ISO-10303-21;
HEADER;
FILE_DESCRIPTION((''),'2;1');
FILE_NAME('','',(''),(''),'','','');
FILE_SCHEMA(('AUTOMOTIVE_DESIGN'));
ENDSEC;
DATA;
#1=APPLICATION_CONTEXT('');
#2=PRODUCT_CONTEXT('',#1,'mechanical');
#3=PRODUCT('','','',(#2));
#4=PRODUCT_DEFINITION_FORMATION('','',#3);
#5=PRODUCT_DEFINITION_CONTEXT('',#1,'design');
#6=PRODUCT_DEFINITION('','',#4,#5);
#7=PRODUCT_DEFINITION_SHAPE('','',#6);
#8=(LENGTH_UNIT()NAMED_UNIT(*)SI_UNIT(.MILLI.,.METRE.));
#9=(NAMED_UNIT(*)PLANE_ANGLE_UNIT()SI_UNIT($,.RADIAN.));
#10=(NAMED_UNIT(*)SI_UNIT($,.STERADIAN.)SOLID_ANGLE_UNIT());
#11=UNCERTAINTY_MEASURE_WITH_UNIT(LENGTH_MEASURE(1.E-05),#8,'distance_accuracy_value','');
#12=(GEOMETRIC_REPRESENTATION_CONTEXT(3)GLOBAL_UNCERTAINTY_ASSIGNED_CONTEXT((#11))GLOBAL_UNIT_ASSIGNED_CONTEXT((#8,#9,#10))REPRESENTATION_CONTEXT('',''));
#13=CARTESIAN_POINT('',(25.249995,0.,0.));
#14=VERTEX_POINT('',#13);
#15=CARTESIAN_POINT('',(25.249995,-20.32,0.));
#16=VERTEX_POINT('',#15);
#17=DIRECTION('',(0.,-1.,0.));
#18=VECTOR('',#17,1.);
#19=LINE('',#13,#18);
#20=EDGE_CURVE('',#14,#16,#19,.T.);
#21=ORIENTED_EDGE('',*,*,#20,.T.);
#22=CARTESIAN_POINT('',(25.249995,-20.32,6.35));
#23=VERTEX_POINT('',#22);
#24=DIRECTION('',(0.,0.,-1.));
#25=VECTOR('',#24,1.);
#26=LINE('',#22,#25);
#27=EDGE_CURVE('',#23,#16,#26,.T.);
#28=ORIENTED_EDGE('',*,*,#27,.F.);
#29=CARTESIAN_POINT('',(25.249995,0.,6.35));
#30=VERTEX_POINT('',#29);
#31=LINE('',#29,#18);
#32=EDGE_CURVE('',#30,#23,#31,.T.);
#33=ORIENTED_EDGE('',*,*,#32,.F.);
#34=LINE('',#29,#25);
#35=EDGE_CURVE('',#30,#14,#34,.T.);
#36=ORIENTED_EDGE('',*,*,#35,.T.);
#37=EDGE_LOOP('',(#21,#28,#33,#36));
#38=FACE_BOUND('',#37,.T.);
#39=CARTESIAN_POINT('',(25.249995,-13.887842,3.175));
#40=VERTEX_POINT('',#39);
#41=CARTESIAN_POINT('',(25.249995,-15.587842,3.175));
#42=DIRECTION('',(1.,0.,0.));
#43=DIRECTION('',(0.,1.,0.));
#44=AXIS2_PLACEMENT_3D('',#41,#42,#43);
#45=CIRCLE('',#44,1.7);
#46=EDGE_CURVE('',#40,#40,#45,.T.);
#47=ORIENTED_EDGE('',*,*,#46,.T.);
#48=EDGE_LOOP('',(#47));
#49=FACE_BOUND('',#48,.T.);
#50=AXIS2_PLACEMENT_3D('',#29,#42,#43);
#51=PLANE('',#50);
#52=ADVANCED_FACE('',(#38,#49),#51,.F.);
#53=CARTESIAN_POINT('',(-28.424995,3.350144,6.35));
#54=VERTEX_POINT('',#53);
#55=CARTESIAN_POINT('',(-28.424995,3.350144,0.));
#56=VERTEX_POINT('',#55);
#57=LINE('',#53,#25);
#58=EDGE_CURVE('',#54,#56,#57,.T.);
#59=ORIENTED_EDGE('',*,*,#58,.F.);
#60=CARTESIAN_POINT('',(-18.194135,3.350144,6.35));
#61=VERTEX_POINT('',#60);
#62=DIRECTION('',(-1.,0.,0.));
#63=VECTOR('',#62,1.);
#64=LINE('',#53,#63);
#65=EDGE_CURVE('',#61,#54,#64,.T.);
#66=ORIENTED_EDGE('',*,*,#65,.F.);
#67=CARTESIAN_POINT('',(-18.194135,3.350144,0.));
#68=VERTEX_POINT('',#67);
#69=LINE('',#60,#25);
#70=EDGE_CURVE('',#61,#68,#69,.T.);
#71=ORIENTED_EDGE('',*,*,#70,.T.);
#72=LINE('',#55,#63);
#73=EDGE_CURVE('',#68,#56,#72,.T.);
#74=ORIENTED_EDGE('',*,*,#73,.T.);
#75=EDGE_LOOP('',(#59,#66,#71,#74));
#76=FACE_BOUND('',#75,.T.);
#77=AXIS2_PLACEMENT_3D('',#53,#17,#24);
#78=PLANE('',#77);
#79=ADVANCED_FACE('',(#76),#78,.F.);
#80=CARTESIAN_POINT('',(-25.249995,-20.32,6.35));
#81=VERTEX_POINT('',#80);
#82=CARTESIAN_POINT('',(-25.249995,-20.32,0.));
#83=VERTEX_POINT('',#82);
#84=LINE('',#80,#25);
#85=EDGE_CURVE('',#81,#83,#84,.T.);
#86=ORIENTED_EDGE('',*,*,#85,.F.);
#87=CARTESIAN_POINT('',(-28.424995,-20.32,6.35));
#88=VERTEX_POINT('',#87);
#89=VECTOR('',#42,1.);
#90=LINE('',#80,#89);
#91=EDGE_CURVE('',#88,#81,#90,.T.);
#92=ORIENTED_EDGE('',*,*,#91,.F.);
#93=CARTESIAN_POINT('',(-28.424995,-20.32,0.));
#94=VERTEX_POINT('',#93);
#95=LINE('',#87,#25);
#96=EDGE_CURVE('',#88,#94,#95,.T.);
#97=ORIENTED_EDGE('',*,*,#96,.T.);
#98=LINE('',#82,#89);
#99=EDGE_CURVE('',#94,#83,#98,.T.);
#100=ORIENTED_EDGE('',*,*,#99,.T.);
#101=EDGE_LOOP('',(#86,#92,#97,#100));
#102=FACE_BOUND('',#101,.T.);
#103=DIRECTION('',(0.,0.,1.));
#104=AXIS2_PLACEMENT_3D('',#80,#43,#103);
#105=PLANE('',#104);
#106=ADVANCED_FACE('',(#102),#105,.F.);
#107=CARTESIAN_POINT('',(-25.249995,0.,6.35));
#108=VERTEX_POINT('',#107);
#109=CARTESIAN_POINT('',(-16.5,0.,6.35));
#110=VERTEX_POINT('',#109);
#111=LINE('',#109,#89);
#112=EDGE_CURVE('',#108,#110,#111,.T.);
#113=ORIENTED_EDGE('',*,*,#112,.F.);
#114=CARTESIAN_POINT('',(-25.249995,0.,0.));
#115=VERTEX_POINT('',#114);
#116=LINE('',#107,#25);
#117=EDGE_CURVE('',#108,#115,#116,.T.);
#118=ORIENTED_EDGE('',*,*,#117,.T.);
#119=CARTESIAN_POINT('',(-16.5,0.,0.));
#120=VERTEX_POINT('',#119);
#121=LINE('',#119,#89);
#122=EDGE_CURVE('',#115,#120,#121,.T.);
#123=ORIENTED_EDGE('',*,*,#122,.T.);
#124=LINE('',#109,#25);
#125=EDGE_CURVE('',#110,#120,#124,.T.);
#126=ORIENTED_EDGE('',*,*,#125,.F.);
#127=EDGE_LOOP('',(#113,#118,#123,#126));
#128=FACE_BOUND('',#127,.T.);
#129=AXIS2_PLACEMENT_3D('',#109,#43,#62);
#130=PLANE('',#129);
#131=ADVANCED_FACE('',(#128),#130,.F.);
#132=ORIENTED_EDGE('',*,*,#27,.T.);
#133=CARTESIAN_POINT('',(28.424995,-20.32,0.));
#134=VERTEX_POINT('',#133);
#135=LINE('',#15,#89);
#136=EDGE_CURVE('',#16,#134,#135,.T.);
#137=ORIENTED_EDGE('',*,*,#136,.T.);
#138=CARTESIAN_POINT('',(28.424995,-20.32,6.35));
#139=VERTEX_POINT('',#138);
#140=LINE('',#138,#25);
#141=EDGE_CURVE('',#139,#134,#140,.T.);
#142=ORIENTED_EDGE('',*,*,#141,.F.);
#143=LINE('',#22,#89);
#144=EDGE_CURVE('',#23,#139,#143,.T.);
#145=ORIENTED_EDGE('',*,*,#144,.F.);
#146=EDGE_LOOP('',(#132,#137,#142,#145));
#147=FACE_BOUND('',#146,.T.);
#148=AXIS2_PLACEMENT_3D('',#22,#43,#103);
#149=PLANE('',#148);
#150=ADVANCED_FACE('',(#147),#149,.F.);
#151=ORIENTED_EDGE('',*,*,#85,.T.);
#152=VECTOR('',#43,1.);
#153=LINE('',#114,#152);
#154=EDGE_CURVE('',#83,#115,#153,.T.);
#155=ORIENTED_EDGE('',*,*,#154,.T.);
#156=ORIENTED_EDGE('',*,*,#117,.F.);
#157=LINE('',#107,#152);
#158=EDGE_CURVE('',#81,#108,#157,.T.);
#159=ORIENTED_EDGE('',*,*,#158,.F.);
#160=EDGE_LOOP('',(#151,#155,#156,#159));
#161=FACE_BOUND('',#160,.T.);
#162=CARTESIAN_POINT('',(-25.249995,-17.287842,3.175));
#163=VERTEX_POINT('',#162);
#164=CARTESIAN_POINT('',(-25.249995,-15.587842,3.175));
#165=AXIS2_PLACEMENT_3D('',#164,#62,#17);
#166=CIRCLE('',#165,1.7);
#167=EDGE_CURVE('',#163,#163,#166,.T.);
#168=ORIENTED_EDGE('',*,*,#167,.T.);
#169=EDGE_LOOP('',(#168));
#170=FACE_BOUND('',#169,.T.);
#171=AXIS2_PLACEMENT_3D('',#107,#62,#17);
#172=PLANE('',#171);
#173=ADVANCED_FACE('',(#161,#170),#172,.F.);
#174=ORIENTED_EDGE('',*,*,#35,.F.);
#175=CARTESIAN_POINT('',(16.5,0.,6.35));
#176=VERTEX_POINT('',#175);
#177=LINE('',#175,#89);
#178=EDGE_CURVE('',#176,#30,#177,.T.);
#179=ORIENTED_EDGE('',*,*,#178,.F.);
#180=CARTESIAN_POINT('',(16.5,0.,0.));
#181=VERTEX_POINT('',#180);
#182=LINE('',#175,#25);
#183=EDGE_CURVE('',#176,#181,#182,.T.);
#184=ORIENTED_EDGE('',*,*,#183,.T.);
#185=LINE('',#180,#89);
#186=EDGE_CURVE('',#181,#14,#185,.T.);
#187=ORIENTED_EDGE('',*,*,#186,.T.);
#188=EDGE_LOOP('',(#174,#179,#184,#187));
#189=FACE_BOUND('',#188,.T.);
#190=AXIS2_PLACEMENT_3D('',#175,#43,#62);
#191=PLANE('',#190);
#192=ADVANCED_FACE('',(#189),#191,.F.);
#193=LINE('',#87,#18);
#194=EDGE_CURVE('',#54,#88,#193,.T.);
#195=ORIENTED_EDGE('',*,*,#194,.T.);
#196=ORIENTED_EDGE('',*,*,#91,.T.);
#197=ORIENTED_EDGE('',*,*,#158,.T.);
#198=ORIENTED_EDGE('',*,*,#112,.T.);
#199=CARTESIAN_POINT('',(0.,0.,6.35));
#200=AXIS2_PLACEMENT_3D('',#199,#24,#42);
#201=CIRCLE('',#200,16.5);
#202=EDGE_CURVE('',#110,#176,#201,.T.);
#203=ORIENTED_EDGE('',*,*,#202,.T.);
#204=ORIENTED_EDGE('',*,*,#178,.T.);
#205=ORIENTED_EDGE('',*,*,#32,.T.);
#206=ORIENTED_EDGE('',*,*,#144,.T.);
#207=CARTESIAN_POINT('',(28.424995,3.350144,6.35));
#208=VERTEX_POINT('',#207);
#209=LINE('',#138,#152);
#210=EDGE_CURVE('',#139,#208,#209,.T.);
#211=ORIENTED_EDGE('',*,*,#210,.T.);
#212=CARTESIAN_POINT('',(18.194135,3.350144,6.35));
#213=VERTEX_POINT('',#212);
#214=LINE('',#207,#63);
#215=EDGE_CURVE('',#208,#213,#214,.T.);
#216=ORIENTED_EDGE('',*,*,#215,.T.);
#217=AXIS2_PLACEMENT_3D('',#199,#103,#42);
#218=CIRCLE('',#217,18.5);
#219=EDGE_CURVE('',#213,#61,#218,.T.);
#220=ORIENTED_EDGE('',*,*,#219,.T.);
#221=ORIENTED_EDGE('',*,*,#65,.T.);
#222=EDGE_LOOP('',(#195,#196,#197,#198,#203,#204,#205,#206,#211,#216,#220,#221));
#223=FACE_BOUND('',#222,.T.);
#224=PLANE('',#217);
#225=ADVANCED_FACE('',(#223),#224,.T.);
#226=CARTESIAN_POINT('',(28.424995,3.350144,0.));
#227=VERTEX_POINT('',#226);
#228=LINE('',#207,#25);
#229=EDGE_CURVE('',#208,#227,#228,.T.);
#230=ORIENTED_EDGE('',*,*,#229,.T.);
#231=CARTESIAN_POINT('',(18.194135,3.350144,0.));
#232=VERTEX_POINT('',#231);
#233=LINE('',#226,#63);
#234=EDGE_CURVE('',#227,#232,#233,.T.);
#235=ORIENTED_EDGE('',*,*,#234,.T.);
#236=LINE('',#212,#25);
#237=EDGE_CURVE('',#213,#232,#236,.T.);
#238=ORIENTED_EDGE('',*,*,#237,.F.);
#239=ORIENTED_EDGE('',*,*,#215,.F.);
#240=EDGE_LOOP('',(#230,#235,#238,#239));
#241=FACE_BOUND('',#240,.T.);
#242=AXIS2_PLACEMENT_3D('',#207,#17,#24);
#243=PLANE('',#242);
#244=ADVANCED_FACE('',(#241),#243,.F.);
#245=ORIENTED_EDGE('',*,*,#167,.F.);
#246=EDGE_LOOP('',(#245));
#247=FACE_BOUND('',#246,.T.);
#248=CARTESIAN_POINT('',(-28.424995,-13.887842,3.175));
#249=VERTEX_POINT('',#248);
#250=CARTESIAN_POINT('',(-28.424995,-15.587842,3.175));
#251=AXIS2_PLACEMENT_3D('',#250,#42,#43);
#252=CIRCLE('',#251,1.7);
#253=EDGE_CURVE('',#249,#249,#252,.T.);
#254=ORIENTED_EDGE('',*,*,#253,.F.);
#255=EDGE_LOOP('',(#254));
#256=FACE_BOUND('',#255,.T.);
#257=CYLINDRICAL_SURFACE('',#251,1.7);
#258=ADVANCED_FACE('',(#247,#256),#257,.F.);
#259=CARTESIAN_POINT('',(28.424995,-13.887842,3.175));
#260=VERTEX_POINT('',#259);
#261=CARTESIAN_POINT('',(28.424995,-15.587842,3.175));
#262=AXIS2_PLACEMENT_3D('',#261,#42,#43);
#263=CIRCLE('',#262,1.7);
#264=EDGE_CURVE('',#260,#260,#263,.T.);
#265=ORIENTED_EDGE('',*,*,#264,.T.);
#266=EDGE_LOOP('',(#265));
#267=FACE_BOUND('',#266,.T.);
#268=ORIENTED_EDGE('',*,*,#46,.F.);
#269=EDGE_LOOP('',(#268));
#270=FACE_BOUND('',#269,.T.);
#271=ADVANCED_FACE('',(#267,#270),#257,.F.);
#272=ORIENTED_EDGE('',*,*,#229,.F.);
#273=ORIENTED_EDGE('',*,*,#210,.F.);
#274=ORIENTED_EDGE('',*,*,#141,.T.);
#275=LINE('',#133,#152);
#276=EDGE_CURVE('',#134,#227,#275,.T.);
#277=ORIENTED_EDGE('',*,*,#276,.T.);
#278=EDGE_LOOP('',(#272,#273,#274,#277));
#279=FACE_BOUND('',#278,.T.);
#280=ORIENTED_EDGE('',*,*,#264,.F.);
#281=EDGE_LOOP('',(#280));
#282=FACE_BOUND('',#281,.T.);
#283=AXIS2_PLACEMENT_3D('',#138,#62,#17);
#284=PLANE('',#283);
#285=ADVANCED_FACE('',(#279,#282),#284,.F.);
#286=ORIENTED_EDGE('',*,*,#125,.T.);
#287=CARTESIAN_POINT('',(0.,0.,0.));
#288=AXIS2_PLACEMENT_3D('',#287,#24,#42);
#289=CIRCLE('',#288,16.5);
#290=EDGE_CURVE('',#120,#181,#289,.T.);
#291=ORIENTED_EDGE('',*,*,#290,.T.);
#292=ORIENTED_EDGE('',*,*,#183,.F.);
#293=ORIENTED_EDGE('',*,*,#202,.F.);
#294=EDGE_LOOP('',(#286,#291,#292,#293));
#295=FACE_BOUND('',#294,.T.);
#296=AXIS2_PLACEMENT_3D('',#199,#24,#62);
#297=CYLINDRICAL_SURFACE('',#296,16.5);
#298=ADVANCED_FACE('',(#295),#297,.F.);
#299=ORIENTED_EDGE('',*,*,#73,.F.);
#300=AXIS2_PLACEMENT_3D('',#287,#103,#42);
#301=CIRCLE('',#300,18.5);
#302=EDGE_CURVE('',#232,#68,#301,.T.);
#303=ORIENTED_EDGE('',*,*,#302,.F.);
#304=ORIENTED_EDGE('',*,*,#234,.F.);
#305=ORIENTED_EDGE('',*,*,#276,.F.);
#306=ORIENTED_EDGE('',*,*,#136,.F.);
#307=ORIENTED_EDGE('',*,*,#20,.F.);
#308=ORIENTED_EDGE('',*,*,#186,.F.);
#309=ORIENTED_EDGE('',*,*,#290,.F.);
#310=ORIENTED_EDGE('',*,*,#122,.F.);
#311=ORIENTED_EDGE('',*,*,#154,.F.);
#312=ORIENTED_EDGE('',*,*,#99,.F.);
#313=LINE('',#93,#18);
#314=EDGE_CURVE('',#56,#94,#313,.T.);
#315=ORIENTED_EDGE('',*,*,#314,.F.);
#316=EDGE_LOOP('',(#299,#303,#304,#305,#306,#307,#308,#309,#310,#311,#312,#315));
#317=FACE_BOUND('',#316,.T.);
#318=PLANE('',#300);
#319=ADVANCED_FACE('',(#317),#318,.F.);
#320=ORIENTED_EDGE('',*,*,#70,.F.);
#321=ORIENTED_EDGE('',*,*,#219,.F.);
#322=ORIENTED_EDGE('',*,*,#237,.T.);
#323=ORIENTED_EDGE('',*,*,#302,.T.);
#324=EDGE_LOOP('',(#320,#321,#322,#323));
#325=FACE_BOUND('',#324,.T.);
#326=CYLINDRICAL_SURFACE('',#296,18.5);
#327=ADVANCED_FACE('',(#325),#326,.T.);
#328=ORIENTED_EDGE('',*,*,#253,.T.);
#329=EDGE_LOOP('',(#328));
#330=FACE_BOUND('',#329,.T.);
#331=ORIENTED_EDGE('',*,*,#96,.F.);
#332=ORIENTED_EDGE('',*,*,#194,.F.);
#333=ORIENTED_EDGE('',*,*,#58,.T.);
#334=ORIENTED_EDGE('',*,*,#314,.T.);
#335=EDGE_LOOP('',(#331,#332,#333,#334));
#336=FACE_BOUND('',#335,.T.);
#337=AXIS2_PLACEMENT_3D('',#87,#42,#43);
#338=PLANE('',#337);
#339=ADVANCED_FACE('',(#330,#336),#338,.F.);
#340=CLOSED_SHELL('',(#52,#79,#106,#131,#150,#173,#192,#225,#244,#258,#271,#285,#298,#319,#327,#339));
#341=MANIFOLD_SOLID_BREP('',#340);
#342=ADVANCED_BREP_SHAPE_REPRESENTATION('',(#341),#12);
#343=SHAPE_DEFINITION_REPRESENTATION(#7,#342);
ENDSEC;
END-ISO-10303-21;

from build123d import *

# Parameters (mm, degrees)
BOSS_EXTRUDE1_DEPTH = 6.35
SKETCH2_R           = 1.700000029
CUT_EXTRUDE1_DEPTH  = 61.705405925


with BuildPart() as part:
    # Sketch1 → Boss-Extrude1 (new body)
    with BuildSketch(Plane.XY):
        with BuildLine():
            Line((-16.5, 0), (-25.2499952, 0))
            Line((-25.2499952, 0), (-25.2499952, -20.32))
            Line((-25.2499952, -20.32), (-28.4249952, -20.32))
            Line((-28.4249952, -20.32), (-28.4249952, 3.350143749))
            Line((-28.4249952, 3.350143749), (-18.194134683, 3.350143749))
            ThreePointArc((-18.194134683, 3.350143749), (0, 18.5), (18.194134683, 3.350143749))
            Line((18.194134683, 3.350143749), (28.4249952, 3.350143749))
            Line((28.4249952, 3.350143749), (28.4249952, -20.32))
            Line((28.4249952, -20.32), (25.2499952, -20.32))
            Line((25.2499952, -20.32), (25.2499952, 0))
            Line((25.2499952, 0), (16.5, 0))
            ThreePointArc((16.5, 0), (0, 16.5), (-16.5, 0))
        make_face()
    extrude(amount=BOSS_EXTRUDE1_DEPTH)

    # Sketch2 → Cut-Extrude1 (cut, through all)
    with BuildSketch(Plane(origin=(28.4249952, 0, 0), x_dir=(0, 0, -1), z_dir=(1, 0, 0))):
        with Locations(Location((-3.175, -15.587842251, 0), (0, 0, 90))):
            Circle(SKETCH2_R)
    extrude(amount=-CUT_EXTRUDE1_DEPTH, mode=Mode.SUBTRACT)


solid = part.part
